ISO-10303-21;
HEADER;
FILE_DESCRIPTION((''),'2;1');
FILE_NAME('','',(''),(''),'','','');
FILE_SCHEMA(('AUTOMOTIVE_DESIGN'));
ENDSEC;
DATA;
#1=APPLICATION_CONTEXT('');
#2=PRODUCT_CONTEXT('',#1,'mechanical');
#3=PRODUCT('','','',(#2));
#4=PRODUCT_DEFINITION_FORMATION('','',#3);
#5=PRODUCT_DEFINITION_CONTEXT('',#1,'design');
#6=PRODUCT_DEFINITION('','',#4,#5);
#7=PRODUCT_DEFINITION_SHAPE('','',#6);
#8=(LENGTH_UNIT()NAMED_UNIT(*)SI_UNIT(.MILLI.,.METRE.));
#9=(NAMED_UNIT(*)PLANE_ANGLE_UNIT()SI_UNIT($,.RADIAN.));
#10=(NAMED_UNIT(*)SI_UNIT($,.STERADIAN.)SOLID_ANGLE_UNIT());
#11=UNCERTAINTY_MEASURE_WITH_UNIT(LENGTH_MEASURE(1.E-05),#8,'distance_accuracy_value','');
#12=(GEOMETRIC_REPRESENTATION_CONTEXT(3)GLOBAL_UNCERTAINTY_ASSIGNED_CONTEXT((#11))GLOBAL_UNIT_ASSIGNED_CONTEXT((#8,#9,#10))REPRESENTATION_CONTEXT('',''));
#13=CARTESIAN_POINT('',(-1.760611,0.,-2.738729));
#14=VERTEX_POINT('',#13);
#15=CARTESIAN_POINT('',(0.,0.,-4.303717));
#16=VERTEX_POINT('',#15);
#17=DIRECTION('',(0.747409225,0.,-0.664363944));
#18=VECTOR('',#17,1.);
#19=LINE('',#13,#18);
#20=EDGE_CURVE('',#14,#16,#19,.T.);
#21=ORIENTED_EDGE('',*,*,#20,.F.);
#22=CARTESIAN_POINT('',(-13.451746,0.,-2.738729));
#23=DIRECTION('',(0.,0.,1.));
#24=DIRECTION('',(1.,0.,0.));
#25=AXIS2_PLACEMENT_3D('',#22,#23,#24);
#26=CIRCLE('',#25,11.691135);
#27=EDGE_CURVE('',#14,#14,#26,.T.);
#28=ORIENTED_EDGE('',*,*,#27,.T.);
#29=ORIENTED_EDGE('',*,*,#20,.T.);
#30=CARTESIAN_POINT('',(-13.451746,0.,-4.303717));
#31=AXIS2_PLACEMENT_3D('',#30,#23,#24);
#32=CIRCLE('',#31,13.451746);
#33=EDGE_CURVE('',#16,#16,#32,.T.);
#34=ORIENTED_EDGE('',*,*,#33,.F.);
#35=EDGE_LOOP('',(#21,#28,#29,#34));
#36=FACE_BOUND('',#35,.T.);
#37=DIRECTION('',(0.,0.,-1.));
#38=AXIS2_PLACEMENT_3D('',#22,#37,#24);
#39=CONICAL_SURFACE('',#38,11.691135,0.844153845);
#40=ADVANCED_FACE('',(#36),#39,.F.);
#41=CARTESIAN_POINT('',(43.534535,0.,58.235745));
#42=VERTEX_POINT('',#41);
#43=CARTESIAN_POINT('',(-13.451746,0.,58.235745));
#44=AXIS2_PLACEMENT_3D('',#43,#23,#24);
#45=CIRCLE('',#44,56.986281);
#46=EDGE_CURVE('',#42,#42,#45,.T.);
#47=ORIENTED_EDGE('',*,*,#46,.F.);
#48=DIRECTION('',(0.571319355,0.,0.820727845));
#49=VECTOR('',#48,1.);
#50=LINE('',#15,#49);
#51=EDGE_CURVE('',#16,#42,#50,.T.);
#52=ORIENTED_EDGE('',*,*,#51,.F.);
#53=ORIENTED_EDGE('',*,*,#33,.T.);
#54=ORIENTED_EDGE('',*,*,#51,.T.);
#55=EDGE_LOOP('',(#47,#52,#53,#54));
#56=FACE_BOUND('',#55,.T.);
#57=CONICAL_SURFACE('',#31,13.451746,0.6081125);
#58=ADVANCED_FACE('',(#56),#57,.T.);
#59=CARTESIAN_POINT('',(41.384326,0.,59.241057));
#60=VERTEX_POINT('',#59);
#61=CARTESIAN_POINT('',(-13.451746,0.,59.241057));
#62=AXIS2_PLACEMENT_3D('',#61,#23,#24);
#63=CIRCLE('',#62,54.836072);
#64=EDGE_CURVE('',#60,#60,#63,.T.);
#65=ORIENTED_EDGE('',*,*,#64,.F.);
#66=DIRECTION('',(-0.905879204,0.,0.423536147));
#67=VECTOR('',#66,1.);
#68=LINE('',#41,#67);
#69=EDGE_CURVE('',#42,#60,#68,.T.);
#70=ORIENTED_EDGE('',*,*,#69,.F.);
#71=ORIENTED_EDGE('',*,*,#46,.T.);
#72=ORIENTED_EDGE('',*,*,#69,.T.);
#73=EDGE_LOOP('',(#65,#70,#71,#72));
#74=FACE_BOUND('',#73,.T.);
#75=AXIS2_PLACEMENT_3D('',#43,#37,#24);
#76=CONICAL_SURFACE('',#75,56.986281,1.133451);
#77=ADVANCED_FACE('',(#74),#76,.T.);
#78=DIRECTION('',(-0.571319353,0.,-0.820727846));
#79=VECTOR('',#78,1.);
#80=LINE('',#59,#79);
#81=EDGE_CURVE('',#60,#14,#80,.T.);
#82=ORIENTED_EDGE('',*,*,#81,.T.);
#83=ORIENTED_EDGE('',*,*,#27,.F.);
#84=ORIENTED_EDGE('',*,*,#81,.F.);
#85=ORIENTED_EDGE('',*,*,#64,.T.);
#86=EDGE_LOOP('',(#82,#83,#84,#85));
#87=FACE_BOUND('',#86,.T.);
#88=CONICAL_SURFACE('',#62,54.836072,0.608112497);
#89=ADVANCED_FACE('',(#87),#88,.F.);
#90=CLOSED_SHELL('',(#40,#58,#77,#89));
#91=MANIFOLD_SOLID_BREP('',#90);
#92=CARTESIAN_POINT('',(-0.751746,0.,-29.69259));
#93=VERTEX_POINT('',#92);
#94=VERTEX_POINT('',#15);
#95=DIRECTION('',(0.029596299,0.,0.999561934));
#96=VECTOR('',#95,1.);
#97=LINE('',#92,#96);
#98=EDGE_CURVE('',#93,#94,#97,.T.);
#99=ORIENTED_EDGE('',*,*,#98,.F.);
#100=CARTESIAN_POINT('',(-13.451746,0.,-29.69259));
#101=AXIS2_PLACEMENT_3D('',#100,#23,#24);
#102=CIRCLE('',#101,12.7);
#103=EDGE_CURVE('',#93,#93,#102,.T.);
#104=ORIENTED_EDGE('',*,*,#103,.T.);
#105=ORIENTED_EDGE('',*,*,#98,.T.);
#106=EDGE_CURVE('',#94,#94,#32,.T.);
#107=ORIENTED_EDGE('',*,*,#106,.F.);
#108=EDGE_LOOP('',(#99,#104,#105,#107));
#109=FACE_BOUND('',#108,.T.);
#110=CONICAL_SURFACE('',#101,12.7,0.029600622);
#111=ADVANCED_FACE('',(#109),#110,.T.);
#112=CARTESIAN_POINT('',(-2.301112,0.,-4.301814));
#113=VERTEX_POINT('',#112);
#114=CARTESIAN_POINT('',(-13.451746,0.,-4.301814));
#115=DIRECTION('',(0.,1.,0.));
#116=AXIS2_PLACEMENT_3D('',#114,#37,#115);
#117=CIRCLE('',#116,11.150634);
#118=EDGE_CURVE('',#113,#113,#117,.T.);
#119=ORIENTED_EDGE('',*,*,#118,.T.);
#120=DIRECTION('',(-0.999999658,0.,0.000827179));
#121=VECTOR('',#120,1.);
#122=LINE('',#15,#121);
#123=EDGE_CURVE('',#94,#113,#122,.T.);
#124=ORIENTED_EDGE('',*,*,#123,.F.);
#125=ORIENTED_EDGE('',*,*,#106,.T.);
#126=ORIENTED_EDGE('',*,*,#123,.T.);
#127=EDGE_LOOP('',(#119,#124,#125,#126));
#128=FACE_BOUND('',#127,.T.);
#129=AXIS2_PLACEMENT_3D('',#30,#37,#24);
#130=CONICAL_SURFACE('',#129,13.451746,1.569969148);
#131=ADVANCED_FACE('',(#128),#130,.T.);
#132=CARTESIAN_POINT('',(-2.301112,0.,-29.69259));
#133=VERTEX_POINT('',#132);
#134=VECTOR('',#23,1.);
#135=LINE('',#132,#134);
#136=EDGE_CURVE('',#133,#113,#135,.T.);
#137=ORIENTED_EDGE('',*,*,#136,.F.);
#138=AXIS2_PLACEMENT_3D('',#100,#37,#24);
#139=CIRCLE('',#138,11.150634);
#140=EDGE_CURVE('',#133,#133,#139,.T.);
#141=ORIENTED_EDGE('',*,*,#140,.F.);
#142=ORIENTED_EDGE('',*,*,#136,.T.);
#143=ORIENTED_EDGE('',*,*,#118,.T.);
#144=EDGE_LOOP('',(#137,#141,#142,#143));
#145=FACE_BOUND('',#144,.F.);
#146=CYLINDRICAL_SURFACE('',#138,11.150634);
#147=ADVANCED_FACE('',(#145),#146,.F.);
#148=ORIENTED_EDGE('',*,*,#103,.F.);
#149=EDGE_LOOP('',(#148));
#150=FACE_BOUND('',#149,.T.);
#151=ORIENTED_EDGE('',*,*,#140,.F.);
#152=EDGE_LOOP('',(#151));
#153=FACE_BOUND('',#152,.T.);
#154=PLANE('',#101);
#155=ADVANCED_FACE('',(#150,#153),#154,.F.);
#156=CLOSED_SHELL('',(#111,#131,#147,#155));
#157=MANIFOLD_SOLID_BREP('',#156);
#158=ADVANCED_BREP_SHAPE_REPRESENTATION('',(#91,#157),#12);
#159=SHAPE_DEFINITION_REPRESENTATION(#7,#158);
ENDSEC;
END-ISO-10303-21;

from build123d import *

# Parameters (mm, degrees)
F2_R     = 11.150634
F3_DEPTH = 25.4


with BuildPart() as f1:
    # F0 (on Front) → F1 (revolve)
    with BuildSketch(Plane.XZ):
        Polygon((-13.451746, -4.29259), (-13.451746, -29.69259), (-0.751746, -29.69259), (0, -4.303717), align=None)
        Polygon((-1.760611, -2.738729), (0, -4.303717), (43.534535, 58.235745), (41.384326, 59.241057), align=None)
    revolve(axis=Axis((-13.451746, 0, -16.99259), (0, 0, 1)))

    # F2 (on face) → F3 (cut)
    with BuildSketch(Plane(origin=(0, 0, -29.69259), x_dir=(1, 0, 0), z_dir=(0, 0, -1))):
        with Locations((-13.451746, 0)):
            Circle(F2_R)
    extrude(amount=-F3_DEPTH, mode=Mode.SUBTRACT)


solid = f1.part
